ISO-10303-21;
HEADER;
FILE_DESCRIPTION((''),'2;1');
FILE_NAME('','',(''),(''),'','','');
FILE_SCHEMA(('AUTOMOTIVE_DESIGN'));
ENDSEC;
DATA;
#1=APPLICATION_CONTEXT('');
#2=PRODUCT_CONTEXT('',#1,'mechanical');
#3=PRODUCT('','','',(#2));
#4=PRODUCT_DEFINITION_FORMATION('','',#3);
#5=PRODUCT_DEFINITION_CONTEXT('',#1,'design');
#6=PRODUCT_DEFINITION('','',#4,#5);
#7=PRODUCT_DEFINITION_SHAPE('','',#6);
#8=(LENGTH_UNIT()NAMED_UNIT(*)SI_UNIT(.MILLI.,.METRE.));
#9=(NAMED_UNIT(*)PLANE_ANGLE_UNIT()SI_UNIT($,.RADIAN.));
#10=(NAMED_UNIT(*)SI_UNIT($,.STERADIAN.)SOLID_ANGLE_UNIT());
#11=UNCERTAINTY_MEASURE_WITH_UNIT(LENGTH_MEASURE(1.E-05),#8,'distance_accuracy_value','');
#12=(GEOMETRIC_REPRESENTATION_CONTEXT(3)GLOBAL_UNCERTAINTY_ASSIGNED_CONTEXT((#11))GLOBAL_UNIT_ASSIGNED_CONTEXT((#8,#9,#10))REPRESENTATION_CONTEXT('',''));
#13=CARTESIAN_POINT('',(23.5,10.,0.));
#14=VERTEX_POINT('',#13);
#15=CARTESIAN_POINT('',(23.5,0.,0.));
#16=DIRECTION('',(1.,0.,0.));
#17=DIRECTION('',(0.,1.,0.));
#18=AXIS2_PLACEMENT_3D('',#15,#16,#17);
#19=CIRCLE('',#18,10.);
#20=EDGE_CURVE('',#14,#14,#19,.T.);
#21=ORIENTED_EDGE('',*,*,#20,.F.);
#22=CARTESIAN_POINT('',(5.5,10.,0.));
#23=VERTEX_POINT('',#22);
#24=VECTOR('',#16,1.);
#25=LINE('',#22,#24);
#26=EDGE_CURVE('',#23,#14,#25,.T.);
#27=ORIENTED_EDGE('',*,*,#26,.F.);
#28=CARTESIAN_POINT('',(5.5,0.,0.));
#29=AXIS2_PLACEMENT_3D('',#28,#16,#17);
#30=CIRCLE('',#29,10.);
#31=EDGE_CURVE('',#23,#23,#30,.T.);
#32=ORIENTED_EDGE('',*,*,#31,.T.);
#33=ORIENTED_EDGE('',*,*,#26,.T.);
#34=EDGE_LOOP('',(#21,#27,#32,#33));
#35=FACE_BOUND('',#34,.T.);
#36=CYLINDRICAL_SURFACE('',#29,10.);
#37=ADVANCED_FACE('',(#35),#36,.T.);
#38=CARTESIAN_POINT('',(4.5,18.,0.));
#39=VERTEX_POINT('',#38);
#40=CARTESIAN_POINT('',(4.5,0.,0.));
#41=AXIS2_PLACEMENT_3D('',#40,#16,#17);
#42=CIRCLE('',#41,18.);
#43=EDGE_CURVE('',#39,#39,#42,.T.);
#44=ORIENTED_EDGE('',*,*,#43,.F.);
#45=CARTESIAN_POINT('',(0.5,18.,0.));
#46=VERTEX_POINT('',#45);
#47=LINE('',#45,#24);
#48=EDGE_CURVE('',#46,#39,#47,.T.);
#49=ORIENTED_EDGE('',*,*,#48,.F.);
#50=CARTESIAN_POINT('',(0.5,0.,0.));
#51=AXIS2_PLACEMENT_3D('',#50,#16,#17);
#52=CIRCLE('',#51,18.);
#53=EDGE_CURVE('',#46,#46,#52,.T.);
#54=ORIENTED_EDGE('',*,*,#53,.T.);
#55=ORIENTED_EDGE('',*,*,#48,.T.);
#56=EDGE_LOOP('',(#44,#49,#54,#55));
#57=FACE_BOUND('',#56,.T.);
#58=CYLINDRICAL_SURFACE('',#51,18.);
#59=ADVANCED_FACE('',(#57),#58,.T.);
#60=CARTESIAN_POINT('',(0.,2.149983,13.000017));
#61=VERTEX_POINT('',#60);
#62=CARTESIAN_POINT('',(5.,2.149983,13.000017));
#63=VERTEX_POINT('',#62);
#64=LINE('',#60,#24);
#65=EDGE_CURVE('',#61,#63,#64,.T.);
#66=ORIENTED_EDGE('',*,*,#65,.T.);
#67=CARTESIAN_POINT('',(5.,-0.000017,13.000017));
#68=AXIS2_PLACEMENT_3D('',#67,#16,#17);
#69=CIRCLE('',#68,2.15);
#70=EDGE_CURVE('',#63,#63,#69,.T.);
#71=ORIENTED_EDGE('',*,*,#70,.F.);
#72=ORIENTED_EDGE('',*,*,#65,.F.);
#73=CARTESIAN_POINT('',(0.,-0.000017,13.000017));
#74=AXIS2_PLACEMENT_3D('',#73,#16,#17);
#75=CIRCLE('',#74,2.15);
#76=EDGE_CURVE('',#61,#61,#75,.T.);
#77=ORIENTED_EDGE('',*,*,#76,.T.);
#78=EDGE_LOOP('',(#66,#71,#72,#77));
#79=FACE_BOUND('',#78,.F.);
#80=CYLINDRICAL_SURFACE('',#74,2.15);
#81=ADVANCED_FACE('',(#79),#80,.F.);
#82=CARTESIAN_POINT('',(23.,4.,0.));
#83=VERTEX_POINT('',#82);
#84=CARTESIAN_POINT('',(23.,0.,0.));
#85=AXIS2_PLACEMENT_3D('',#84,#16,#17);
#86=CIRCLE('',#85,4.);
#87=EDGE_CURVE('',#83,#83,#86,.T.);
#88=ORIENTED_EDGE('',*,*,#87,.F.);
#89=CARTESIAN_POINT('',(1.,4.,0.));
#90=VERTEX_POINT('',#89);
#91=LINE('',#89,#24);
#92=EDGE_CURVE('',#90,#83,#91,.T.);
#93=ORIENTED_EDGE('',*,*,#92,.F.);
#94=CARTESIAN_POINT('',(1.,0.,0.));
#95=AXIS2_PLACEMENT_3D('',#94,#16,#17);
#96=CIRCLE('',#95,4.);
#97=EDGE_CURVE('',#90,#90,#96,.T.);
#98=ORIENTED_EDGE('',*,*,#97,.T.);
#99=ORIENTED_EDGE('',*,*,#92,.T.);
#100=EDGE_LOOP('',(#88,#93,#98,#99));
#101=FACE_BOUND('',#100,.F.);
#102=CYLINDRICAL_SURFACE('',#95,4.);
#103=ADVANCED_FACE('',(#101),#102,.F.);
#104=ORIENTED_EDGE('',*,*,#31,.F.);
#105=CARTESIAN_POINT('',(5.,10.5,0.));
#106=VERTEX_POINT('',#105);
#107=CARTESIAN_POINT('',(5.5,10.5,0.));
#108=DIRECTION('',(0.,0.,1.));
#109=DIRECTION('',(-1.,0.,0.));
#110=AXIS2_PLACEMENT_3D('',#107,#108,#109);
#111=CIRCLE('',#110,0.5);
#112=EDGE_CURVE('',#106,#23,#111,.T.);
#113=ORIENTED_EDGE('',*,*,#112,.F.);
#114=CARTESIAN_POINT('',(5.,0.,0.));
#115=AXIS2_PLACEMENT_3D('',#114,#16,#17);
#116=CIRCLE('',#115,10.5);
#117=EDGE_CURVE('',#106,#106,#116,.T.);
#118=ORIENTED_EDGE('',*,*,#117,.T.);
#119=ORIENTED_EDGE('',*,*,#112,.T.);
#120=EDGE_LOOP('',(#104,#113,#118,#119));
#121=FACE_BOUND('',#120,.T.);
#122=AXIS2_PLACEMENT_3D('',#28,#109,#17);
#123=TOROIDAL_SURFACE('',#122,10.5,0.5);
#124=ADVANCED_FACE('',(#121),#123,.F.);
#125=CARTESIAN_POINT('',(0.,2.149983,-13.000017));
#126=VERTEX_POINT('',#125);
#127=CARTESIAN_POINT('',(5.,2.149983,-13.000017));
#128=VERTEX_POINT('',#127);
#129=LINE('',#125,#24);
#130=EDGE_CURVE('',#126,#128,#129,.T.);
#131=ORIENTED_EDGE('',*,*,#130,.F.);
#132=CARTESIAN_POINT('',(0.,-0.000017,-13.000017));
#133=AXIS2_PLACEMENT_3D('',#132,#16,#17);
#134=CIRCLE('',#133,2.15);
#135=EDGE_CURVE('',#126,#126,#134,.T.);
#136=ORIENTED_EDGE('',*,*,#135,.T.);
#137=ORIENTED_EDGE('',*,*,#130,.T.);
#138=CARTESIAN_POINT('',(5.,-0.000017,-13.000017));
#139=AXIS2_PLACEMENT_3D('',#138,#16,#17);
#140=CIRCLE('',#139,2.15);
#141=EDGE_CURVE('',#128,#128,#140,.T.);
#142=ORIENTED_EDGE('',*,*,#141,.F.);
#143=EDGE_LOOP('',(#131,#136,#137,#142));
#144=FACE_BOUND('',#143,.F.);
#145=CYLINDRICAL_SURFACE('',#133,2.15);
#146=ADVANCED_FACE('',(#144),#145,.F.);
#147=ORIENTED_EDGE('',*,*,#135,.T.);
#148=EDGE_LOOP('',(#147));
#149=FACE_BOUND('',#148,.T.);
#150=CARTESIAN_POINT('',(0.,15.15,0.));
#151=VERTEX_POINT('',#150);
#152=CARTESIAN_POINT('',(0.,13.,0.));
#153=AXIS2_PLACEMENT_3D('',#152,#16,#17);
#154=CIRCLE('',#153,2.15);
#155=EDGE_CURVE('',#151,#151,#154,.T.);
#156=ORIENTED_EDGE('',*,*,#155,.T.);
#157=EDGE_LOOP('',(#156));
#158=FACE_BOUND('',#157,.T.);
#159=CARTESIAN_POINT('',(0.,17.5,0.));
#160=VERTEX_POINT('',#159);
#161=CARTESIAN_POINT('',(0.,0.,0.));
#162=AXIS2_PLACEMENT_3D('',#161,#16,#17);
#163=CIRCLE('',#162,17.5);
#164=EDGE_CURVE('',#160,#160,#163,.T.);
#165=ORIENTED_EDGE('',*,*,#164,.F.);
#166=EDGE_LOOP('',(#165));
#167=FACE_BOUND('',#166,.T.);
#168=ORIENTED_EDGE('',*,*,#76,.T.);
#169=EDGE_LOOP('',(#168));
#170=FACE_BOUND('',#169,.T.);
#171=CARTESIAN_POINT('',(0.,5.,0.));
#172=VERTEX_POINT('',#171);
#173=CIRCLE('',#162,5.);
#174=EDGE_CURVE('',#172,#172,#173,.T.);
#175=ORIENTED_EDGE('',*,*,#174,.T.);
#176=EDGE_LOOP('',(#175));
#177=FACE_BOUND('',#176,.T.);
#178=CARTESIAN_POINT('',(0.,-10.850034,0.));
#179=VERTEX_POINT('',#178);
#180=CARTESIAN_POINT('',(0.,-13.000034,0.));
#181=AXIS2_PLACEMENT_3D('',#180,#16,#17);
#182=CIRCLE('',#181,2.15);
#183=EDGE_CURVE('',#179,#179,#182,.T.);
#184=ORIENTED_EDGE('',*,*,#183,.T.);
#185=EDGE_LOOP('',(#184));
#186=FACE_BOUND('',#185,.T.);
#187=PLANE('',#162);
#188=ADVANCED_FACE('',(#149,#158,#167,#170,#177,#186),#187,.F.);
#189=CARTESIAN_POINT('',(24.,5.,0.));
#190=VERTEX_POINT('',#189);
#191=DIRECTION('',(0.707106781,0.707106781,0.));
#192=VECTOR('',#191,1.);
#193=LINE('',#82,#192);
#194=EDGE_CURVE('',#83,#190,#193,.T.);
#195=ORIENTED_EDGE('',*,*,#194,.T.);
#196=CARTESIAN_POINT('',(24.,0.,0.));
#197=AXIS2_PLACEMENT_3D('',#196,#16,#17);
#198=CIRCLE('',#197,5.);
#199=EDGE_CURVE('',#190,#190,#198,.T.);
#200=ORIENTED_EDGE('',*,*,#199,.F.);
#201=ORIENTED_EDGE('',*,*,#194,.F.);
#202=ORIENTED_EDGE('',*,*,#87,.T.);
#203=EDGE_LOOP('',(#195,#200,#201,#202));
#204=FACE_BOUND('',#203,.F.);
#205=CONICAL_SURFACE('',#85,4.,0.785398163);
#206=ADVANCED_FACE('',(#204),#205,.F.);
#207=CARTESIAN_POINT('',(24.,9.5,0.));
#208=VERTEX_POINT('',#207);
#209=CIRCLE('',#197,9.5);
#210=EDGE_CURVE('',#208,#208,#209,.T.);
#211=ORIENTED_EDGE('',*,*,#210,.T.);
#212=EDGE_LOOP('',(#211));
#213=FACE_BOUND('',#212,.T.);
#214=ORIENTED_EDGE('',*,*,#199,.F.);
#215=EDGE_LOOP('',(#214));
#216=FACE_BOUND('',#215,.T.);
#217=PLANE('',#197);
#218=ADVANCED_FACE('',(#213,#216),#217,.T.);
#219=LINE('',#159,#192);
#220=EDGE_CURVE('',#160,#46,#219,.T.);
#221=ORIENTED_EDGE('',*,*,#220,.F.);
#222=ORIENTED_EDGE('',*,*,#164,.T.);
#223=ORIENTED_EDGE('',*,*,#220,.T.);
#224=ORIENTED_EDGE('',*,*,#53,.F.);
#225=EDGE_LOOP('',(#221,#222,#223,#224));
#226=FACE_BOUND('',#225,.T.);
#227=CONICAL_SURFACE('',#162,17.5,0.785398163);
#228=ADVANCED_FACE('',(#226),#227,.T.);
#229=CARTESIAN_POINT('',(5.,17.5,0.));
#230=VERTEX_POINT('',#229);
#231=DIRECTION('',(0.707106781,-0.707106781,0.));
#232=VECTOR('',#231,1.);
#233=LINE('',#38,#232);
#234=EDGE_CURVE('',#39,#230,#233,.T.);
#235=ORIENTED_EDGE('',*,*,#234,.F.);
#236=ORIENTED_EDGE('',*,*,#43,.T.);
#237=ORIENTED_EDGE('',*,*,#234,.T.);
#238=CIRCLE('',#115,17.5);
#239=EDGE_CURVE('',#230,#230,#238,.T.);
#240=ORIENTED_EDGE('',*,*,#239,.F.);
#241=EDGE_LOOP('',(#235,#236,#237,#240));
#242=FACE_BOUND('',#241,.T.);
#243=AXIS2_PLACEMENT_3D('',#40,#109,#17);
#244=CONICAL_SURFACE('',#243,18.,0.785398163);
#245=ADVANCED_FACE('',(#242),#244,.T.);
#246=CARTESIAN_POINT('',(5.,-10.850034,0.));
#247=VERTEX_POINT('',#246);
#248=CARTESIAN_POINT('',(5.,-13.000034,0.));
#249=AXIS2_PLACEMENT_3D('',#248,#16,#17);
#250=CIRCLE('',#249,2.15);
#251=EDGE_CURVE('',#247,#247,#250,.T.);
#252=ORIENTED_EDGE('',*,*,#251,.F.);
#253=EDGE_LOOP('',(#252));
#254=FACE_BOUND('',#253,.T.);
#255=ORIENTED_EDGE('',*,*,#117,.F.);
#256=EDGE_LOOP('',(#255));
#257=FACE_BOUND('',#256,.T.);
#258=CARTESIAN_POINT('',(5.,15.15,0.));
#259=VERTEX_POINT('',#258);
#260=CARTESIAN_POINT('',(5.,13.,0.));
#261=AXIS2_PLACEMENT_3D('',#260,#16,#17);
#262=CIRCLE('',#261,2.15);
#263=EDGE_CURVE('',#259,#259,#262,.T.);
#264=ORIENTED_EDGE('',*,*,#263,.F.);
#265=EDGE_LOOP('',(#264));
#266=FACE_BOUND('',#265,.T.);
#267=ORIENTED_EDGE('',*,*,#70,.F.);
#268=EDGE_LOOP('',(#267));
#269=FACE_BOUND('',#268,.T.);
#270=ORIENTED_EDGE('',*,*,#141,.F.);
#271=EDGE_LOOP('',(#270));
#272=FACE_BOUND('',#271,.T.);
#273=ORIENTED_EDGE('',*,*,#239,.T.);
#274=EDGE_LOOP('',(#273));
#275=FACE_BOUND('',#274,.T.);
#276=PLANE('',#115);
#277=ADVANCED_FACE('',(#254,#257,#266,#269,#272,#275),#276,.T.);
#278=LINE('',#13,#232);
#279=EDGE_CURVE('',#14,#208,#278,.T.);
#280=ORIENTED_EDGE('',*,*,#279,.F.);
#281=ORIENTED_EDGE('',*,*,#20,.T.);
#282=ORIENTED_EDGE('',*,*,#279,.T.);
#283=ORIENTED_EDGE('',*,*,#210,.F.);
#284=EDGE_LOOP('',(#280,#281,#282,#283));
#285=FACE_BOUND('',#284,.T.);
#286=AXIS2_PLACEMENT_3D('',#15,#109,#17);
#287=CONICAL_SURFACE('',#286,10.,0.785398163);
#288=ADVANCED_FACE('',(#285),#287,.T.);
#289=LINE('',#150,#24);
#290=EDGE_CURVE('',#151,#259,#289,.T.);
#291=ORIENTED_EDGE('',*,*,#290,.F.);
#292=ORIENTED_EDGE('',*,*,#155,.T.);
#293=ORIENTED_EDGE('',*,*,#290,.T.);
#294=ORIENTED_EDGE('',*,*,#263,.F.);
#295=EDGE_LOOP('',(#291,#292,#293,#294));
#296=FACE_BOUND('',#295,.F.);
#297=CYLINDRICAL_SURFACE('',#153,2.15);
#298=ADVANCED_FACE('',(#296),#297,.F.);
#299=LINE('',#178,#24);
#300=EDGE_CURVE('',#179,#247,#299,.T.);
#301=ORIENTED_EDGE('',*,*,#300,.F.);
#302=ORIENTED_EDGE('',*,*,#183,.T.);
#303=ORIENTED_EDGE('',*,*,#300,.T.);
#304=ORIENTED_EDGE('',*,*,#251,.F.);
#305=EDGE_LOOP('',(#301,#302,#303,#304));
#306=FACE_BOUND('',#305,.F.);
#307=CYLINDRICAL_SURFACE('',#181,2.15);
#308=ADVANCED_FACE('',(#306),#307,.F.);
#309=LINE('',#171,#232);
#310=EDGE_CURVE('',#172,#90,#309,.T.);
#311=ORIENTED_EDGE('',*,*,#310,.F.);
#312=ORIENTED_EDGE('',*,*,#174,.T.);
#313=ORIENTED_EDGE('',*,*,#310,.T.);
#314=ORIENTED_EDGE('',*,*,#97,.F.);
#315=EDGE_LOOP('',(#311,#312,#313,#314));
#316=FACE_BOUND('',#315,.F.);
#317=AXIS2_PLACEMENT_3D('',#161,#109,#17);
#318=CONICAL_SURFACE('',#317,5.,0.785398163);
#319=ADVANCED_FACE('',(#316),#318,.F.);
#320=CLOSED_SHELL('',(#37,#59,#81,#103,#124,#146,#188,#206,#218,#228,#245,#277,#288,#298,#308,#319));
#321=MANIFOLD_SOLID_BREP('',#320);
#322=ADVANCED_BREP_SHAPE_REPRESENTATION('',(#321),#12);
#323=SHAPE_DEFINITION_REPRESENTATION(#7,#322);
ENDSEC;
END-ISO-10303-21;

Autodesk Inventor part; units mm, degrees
ref_plane "YZ Plane" through (0, 0, 0) normal (1, 0, 0) x (0, 1, 0)
ref_plane "XZ Plane" through (0, 0, 0) normal (0, 1, 0) x (-1, 0, 0)
ref_plane "XY Plane" through (0, 0, 0) normal (0, 0, 1) x (1, 0, 0)
sketch "Sketch_1" plane through (0, 0, 0) normal (0, 0, 1) x (1, 0, 0)
  line L0 (24, 0) -> (0, 0)
  line L1 (0, 0) -> (0, 17.5)
  line L2 (0, 17.5) -> (0.5, 18)
  line L3 (0.5, 18) -> (4.5, 18)
  line L4 (4.5, 18) -> (5, 17.5)
  line L5 (5, 17.5) -> (5, 10.5)
  arc A0 (5, 10.5) -> (5.5, 10) centre (5.5, 10.5) ccw
  line L6 (5.5, 10) -> (23.5, 10)
  line L7 (23.5, 10) -> (24, 9.5)
  line L8 (24, 9.5) -> (24, 0)
  line L9 (24, 0) -> (0, 0)
revolve "Revolution1" add sketch "Sketch_1" angle 360 about axis through (24, 0, 0) along (1, 0, 0)
sketch "Sketch_2" plane through (0, 0, 0) normal (0, 0, 1) x (1, 0, 0)
  line L0 (24, 0) -> (0, 0)
  line L1 (0, 0) -> (0, 5)
  line L2 (0, 5) -> (1, 4)
  line L3 (1, 4) -> (23, 4)
  line L4 (23, 4) -> (24, 5)
  line L5 (24, 5) -> (24, 0)
  line L6 (24, 0) -> (0, 0)
revolve "Revolution2" cut sketch "Sketch_2" angle 360 about axis through (24, 0, 0) along (1, 0, 0)
thread "Thread1" size "TR10x2" class "7H" standard "ISO Metric Trapezoidal Threads" full length
sketch "Sketch_3" plane through (0, 0, 0) normal (0, 0, 1) x (1, 0, 0)
  line L0 (5, 13) -> (0, 13)
  line L1 (0, 13) -> (0, 15.15)
  line L2 (0, 15.15) -> (5, 15.15)
  line L3 (5, 15.15) -> (5, 13)
  line L4 (5, 13) -> (0, 13)
revolve "Revolution3" cut sketch "Sketch_3" angle 360 about axis through (5, 13, 0) along (1, 0, 0)
pattern_linear "Rectangular Pattern1" count 2 spacing 18.3848 along (0, -0.7071, 0.7071) count 2 spacing 18.3848 along (0, -0.7071, -0.7071) of "Revolution3"
properties part number "MTSRR10"
